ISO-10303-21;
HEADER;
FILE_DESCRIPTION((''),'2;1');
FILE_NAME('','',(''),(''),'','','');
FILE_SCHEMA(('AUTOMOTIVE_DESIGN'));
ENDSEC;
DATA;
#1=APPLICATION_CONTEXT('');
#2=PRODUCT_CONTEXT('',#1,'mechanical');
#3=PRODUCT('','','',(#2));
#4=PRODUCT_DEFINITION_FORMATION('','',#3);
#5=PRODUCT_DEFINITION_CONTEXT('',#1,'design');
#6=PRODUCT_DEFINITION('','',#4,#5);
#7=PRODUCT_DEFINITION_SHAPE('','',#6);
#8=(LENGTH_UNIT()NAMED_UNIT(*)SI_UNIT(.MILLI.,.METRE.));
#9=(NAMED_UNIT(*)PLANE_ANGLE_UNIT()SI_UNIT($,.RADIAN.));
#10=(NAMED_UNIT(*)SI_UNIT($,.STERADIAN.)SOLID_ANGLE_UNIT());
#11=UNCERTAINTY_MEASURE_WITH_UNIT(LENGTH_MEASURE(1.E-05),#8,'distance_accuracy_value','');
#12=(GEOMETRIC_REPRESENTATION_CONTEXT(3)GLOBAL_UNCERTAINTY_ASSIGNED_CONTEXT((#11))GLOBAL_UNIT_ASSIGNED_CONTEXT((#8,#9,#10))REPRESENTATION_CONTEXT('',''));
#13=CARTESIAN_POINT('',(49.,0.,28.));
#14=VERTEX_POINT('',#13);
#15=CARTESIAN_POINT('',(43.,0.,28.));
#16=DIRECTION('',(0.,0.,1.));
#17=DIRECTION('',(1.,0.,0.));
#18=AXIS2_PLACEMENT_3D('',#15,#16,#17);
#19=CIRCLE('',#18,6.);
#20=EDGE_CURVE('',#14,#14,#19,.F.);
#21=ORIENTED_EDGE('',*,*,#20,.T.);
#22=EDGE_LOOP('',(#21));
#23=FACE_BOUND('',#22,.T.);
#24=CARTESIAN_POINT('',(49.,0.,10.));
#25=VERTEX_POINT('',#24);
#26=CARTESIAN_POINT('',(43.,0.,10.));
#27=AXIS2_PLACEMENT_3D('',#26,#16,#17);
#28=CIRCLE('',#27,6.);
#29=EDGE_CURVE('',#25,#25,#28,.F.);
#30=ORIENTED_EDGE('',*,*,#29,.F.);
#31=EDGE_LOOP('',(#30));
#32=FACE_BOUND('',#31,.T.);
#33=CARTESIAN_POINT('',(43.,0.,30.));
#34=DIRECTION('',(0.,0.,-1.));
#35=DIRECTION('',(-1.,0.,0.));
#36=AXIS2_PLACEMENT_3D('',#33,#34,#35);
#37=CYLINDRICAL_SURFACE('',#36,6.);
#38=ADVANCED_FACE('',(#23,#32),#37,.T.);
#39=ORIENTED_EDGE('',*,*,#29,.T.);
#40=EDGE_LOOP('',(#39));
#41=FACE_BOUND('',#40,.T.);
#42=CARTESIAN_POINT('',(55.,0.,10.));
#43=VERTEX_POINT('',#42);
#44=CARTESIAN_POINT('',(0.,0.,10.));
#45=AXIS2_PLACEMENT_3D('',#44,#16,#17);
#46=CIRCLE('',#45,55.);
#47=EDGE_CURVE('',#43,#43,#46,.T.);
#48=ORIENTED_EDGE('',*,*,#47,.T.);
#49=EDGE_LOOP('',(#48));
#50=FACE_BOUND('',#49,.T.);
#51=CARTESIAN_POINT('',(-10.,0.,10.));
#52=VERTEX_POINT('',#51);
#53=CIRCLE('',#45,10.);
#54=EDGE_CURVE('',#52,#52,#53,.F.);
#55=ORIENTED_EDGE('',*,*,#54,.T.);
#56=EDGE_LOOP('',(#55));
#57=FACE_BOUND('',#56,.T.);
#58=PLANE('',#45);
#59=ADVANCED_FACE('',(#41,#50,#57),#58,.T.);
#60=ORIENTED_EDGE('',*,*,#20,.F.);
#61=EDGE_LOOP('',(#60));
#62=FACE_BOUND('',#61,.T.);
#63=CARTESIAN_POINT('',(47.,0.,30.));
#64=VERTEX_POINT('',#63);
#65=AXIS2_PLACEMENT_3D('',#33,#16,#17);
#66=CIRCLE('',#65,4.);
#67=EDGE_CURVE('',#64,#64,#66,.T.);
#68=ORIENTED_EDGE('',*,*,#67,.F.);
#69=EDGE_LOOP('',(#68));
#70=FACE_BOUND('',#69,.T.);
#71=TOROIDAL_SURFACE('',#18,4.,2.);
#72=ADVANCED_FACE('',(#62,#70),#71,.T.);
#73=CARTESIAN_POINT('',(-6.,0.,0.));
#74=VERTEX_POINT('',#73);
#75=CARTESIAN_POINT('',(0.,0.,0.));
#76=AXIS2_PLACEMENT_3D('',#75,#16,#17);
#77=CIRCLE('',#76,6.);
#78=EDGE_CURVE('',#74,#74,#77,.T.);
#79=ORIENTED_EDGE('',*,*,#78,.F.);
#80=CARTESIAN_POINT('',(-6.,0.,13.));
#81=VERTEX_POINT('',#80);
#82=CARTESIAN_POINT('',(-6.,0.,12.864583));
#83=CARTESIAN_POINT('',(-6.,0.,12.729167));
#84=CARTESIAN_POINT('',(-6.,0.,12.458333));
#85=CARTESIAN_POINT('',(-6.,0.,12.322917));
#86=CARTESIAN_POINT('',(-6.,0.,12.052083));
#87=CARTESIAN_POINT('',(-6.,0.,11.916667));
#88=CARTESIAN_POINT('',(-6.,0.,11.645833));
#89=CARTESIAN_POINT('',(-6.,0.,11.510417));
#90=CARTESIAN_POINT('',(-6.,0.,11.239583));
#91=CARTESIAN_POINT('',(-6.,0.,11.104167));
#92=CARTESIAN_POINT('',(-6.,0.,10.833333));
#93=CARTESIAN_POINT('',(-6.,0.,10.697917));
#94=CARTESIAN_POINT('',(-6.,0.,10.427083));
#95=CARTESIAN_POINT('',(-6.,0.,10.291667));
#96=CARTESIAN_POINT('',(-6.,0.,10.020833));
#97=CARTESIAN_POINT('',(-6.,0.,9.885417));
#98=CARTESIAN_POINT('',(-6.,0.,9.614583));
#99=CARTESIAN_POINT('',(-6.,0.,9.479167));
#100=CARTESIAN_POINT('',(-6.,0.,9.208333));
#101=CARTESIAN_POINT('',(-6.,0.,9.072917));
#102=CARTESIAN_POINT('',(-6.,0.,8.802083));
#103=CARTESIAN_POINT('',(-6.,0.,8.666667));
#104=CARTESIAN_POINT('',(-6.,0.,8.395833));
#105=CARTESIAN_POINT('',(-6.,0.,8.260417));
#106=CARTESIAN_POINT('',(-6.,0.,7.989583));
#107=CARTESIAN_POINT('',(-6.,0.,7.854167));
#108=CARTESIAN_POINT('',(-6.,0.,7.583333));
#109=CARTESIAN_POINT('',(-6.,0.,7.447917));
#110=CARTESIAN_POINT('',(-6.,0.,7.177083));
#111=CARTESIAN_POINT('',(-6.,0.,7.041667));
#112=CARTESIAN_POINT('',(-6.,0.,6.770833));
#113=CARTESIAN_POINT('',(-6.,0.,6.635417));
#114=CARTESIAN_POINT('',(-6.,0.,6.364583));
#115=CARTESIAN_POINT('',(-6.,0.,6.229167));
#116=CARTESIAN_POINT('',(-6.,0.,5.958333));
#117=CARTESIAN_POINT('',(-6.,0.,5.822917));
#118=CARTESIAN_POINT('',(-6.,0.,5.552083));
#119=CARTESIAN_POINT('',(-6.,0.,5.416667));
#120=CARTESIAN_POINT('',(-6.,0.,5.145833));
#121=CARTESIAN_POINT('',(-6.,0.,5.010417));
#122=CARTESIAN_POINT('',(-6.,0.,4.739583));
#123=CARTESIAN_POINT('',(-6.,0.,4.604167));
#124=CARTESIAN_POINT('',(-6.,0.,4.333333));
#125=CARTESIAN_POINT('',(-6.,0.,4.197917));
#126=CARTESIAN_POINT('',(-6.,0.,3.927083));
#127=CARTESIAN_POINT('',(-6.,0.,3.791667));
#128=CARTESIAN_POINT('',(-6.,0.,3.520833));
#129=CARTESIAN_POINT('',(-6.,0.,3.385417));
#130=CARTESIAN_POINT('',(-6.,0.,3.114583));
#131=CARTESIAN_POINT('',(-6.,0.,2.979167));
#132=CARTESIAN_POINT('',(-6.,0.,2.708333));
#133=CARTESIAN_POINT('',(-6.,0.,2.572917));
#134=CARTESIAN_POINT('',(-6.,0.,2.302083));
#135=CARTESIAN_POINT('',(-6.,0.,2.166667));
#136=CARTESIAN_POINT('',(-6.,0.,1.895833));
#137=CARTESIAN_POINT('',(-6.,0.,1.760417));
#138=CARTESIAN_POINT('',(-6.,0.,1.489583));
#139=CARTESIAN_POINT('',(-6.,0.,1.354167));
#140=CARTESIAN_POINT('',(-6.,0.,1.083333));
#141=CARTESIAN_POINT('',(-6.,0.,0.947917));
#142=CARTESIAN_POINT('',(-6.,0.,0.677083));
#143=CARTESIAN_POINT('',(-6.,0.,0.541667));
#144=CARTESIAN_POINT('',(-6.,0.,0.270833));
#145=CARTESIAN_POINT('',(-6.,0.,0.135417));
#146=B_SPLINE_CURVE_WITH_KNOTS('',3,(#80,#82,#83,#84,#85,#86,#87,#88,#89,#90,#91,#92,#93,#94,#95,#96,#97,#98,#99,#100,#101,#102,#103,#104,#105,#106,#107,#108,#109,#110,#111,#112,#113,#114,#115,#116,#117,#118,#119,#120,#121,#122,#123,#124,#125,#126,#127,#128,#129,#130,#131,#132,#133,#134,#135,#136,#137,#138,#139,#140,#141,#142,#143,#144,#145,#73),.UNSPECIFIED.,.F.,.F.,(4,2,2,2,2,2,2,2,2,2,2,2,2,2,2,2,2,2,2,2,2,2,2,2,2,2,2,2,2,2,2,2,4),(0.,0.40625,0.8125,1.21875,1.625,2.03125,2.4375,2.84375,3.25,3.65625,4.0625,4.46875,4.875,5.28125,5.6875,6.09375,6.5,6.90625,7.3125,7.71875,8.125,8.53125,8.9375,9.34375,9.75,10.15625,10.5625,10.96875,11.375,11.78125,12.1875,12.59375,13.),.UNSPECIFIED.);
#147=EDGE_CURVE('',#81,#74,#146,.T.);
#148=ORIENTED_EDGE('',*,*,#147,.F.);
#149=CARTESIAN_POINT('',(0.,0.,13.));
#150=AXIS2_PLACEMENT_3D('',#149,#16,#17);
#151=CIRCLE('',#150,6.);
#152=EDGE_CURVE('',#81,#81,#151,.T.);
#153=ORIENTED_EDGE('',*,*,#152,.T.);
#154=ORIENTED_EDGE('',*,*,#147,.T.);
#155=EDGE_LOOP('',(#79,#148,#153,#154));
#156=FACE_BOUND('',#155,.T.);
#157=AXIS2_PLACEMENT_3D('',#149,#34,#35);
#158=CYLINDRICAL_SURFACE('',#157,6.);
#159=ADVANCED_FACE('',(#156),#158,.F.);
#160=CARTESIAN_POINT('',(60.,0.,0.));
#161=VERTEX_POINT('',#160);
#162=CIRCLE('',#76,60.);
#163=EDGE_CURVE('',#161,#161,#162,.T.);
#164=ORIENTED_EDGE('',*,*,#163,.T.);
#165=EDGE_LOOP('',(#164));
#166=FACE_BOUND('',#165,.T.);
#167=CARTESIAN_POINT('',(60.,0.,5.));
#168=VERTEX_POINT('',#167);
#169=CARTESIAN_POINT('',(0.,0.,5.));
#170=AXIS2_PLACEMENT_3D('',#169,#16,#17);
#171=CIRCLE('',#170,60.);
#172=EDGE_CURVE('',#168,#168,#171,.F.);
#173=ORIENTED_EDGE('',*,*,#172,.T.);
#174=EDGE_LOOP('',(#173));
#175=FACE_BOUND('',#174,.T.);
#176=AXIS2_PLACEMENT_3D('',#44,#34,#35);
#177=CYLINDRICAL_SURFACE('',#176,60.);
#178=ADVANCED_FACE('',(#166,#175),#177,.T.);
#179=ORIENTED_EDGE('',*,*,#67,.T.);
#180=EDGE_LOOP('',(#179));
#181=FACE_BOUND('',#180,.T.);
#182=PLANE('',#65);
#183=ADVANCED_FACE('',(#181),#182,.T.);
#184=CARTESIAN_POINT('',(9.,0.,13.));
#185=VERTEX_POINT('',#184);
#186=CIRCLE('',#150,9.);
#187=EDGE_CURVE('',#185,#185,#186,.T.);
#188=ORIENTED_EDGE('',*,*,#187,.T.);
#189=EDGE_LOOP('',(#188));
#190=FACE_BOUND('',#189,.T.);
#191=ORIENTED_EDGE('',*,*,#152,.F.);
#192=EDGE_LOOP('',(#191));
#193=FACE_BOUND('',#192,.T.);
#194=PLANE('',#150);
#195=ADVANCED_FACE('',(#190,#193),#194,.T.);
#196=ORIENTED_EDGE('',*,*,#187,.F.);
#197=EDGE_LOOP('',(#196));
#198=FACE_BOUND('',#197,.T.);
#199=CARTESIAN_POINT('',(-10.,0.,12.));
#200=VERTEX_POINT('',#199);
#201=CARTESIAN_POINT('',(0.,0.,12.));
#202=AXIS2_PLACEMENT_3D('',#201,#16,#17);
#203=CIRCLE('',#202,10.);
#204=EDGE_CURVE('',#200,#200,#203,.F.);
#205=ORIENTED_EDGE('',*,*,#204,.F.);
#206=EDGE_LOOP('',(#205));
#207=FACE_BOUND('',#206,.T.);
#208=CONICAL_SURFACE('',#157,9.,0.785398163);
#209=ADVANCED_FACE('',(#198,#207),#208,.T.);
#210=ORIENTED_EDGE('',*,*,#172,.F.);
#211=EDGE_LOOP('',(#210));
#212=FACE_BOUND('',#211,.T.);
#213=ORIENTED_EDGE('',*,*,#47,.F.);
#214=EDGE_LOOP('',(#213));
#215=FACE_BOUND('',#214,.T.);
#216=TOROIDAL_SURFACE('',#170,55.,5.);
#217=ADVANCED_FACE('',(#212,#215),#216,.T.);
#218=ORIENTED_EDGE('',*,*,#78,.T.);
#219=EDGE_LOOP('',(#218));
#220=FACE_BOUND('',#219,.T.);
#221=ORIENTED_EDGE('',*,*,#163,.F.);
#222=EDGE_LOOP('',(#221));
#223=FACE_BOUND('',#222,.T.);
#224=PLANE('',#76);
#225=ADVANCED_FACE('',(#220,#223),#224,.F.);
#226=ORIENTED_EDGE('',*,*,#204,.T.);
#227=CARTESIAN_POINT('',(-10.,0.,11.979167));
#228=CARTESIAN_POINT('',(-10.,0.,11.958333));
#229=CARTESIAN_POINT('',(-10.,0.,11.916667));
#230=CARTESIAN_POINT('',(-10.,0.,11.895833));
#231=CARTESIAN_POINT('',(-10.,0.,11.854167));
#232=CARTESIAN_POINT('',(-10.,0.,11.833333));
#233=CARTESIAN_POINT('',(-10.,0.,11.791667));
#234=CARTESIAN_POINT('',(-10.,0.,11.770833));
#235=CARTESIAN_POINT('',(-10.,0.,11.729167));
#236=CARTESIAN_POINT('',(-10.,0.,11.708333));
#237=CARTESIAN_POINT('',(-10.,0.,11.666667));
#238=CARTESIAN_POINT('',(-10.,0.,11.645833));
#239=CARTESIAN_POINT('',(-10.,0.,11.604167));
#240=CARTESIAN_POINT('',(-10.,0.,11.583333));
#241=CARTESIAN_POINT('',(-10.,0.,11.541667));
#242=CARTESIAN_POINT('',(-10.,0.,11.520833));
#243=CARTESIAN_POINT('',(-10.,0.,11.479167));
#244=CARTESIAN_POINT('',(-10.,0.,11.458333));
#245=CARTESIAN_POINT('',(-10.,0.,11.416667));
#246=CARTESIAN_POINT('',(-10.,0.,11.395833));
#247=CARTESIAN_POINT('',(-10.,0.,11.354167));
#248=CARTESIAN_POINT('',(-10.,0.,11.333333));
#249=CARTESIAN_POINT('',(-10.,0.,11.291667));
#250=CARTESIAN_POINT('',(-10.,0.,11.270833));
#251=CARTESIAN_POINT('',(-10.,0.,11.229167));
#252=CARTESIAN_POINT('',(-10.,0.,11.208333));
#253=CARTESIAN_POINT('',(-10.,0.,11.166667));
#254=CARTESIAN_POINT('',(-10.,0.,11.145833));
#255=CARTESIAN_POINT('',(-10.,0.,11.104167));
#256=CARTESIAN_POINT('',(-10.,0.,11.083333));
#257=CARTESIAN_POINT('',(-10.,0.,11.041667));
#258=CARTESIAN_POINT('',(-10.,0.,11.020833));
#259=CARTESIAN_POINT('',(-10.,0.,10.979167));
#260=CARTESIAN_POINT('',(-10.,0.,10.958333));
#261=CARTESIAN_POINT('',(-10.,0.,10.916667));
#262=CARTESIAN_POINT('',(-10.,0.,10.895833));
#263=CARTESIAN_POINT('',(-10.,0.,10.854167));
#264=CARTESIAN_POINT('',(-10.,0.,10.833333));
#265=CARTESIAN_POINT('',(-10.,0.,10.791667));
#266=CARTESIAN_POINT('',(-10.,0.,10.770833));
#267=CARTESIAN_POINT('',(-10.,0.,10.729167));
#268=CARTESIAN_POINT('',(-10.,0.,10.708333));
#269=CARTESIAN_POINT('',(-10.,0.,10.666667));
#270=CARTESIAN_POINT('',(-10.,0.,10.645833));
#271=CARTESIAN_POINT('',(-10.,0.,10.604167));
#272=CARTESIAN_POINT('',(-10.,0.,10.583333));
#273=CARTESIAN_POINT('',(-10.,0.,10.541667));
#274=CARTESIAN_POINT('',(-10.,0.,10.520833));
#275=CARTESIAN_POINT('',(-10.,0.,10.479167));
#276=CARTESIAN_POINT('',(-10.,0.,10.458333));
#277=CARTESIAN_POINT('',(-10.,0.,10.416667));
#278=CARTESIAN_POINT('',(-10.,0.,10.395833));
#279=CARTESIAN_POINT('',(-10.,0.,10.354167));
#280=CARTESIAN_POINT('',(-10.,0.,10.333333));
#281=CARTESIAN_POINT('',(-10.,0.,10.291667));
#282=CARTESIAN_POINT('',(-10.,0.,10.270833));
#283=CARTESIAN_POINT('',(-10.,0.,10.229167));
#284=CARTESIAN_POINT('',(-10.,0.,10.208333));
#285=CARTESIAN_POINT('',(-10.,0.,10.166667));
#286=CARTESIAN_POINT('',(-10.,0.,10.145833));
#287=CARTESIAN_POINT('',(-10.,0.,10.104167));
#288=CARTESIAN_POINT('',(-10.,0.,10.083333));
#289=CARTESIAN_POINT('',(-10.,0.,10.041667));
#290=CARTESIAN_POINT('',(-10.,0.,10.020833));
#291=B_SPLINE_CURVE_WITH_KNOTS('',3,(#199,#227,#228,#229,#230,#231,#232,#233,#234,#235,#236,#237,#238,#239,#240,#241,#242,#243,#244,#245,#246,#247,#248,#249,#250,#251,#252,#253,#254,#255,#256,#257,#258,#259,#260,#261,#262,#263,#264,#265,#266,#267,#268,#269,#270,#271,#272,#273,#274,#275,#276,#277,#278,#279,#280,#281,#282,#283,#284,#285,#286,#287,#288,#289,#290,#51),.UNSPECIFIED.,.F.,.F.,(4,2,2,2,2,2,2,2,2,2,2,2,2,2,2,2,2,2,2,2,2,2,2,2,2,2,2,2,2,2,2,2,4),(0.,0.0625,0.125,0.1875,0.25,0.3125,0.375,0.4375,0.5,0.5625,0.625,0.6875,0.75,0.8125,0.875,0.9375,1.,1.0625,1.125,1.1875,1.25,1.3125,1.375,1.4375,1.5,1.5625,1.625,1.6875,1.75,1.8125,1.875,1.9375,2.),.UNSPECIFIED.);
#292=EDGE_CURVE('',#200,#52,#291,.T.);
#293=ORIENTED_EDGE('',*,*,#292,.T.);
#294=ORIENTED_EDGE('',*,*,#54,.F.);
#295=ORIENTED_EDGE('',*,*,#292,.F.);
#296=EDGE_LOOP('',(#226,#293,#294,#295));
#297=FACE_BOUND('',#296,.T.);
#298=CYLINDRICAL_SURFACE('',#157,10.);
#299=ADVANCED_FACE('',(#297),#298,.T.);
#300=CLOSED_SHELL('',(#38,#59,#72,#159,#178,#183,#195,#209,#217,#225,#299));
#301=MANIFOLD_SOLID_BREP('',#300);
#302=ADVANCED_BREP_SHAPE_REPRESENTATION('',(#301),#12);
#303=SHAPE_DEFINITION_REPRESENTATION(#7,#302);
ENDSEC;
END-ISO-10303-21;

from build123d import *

# Parameters (mm, degrees)
SKETCH1_R           = 60
BOSS_EXTRUDE1_DEPTH = 10
FILLET1_R           = 5
SKETCH2_R           = 10
BOSS_EXTRUDE3_DEPTH = 13
SKETCH2_3_R         = 6
CUT_EXTRUDE1_DEPTH  = 86.842879728
CHAMFER1_SIZE       = 1
SKETCH3_R           = 6
BOSS_EXTRUDE4_DEPTH = 30
FILLET2_R           = 2


with BuildPart() as part:
    # Sketch1 → Boss-Extrude1 (new body)
    with BuildSketch(Plane.XY):
        Circle(SKETCH1_R)
    extrude(amount=BOSS_EXTRUDE1_DEPTH)

    # Fillet1
    fillet1_edges = [part.edges().sort_by_distance(p)[0] for p in [
        (-60, 0, 10),
    ]]
    fillet(fillet1_edges, radius=FILLET1_R)

    # Sketch2 → Boss-Extrude3 (add)
    with BuildSketch(Plane.XY):
        Circle(SKETCH2_R)
    extrude(amount=BOSS_EXTRUDE3_DEPTH)

    # Sketch2<3> → Cut-Extrude1 (cut, through all)
    with BuildSketch(Plane.XY):
        Circle(SKETCH2_3_R)
    extrude(amount=CUT_EXTRUDE1_DEPTH, mode=Mode.SUBTRACT)

    # Chamfer1
    chamfer1_edges = [part.edges().sort_by_distance(p)[0] for p in [
        (-10, 0, 13),
    ]]
    chamfer(chamfer1_edges, length=CHAMFER1_SIZE)

    # Sketch3 → Boss-Extrude4 (add)
    with BuildSketch(Plane.XY):
        with Locations((43, 0)):
            Circle(SKETCH3_R)
    extrude(amount=BOSS_EXTRUDE4_DEPTH)

    # Fillet2
    fillet2_edges = [part.edges().sort_by_distance(p)[0] for p in [
        (37, 0, 30),
    ]]
    fillet(fillet2_edges, radius=FILLET2_R)


solid = part.part
